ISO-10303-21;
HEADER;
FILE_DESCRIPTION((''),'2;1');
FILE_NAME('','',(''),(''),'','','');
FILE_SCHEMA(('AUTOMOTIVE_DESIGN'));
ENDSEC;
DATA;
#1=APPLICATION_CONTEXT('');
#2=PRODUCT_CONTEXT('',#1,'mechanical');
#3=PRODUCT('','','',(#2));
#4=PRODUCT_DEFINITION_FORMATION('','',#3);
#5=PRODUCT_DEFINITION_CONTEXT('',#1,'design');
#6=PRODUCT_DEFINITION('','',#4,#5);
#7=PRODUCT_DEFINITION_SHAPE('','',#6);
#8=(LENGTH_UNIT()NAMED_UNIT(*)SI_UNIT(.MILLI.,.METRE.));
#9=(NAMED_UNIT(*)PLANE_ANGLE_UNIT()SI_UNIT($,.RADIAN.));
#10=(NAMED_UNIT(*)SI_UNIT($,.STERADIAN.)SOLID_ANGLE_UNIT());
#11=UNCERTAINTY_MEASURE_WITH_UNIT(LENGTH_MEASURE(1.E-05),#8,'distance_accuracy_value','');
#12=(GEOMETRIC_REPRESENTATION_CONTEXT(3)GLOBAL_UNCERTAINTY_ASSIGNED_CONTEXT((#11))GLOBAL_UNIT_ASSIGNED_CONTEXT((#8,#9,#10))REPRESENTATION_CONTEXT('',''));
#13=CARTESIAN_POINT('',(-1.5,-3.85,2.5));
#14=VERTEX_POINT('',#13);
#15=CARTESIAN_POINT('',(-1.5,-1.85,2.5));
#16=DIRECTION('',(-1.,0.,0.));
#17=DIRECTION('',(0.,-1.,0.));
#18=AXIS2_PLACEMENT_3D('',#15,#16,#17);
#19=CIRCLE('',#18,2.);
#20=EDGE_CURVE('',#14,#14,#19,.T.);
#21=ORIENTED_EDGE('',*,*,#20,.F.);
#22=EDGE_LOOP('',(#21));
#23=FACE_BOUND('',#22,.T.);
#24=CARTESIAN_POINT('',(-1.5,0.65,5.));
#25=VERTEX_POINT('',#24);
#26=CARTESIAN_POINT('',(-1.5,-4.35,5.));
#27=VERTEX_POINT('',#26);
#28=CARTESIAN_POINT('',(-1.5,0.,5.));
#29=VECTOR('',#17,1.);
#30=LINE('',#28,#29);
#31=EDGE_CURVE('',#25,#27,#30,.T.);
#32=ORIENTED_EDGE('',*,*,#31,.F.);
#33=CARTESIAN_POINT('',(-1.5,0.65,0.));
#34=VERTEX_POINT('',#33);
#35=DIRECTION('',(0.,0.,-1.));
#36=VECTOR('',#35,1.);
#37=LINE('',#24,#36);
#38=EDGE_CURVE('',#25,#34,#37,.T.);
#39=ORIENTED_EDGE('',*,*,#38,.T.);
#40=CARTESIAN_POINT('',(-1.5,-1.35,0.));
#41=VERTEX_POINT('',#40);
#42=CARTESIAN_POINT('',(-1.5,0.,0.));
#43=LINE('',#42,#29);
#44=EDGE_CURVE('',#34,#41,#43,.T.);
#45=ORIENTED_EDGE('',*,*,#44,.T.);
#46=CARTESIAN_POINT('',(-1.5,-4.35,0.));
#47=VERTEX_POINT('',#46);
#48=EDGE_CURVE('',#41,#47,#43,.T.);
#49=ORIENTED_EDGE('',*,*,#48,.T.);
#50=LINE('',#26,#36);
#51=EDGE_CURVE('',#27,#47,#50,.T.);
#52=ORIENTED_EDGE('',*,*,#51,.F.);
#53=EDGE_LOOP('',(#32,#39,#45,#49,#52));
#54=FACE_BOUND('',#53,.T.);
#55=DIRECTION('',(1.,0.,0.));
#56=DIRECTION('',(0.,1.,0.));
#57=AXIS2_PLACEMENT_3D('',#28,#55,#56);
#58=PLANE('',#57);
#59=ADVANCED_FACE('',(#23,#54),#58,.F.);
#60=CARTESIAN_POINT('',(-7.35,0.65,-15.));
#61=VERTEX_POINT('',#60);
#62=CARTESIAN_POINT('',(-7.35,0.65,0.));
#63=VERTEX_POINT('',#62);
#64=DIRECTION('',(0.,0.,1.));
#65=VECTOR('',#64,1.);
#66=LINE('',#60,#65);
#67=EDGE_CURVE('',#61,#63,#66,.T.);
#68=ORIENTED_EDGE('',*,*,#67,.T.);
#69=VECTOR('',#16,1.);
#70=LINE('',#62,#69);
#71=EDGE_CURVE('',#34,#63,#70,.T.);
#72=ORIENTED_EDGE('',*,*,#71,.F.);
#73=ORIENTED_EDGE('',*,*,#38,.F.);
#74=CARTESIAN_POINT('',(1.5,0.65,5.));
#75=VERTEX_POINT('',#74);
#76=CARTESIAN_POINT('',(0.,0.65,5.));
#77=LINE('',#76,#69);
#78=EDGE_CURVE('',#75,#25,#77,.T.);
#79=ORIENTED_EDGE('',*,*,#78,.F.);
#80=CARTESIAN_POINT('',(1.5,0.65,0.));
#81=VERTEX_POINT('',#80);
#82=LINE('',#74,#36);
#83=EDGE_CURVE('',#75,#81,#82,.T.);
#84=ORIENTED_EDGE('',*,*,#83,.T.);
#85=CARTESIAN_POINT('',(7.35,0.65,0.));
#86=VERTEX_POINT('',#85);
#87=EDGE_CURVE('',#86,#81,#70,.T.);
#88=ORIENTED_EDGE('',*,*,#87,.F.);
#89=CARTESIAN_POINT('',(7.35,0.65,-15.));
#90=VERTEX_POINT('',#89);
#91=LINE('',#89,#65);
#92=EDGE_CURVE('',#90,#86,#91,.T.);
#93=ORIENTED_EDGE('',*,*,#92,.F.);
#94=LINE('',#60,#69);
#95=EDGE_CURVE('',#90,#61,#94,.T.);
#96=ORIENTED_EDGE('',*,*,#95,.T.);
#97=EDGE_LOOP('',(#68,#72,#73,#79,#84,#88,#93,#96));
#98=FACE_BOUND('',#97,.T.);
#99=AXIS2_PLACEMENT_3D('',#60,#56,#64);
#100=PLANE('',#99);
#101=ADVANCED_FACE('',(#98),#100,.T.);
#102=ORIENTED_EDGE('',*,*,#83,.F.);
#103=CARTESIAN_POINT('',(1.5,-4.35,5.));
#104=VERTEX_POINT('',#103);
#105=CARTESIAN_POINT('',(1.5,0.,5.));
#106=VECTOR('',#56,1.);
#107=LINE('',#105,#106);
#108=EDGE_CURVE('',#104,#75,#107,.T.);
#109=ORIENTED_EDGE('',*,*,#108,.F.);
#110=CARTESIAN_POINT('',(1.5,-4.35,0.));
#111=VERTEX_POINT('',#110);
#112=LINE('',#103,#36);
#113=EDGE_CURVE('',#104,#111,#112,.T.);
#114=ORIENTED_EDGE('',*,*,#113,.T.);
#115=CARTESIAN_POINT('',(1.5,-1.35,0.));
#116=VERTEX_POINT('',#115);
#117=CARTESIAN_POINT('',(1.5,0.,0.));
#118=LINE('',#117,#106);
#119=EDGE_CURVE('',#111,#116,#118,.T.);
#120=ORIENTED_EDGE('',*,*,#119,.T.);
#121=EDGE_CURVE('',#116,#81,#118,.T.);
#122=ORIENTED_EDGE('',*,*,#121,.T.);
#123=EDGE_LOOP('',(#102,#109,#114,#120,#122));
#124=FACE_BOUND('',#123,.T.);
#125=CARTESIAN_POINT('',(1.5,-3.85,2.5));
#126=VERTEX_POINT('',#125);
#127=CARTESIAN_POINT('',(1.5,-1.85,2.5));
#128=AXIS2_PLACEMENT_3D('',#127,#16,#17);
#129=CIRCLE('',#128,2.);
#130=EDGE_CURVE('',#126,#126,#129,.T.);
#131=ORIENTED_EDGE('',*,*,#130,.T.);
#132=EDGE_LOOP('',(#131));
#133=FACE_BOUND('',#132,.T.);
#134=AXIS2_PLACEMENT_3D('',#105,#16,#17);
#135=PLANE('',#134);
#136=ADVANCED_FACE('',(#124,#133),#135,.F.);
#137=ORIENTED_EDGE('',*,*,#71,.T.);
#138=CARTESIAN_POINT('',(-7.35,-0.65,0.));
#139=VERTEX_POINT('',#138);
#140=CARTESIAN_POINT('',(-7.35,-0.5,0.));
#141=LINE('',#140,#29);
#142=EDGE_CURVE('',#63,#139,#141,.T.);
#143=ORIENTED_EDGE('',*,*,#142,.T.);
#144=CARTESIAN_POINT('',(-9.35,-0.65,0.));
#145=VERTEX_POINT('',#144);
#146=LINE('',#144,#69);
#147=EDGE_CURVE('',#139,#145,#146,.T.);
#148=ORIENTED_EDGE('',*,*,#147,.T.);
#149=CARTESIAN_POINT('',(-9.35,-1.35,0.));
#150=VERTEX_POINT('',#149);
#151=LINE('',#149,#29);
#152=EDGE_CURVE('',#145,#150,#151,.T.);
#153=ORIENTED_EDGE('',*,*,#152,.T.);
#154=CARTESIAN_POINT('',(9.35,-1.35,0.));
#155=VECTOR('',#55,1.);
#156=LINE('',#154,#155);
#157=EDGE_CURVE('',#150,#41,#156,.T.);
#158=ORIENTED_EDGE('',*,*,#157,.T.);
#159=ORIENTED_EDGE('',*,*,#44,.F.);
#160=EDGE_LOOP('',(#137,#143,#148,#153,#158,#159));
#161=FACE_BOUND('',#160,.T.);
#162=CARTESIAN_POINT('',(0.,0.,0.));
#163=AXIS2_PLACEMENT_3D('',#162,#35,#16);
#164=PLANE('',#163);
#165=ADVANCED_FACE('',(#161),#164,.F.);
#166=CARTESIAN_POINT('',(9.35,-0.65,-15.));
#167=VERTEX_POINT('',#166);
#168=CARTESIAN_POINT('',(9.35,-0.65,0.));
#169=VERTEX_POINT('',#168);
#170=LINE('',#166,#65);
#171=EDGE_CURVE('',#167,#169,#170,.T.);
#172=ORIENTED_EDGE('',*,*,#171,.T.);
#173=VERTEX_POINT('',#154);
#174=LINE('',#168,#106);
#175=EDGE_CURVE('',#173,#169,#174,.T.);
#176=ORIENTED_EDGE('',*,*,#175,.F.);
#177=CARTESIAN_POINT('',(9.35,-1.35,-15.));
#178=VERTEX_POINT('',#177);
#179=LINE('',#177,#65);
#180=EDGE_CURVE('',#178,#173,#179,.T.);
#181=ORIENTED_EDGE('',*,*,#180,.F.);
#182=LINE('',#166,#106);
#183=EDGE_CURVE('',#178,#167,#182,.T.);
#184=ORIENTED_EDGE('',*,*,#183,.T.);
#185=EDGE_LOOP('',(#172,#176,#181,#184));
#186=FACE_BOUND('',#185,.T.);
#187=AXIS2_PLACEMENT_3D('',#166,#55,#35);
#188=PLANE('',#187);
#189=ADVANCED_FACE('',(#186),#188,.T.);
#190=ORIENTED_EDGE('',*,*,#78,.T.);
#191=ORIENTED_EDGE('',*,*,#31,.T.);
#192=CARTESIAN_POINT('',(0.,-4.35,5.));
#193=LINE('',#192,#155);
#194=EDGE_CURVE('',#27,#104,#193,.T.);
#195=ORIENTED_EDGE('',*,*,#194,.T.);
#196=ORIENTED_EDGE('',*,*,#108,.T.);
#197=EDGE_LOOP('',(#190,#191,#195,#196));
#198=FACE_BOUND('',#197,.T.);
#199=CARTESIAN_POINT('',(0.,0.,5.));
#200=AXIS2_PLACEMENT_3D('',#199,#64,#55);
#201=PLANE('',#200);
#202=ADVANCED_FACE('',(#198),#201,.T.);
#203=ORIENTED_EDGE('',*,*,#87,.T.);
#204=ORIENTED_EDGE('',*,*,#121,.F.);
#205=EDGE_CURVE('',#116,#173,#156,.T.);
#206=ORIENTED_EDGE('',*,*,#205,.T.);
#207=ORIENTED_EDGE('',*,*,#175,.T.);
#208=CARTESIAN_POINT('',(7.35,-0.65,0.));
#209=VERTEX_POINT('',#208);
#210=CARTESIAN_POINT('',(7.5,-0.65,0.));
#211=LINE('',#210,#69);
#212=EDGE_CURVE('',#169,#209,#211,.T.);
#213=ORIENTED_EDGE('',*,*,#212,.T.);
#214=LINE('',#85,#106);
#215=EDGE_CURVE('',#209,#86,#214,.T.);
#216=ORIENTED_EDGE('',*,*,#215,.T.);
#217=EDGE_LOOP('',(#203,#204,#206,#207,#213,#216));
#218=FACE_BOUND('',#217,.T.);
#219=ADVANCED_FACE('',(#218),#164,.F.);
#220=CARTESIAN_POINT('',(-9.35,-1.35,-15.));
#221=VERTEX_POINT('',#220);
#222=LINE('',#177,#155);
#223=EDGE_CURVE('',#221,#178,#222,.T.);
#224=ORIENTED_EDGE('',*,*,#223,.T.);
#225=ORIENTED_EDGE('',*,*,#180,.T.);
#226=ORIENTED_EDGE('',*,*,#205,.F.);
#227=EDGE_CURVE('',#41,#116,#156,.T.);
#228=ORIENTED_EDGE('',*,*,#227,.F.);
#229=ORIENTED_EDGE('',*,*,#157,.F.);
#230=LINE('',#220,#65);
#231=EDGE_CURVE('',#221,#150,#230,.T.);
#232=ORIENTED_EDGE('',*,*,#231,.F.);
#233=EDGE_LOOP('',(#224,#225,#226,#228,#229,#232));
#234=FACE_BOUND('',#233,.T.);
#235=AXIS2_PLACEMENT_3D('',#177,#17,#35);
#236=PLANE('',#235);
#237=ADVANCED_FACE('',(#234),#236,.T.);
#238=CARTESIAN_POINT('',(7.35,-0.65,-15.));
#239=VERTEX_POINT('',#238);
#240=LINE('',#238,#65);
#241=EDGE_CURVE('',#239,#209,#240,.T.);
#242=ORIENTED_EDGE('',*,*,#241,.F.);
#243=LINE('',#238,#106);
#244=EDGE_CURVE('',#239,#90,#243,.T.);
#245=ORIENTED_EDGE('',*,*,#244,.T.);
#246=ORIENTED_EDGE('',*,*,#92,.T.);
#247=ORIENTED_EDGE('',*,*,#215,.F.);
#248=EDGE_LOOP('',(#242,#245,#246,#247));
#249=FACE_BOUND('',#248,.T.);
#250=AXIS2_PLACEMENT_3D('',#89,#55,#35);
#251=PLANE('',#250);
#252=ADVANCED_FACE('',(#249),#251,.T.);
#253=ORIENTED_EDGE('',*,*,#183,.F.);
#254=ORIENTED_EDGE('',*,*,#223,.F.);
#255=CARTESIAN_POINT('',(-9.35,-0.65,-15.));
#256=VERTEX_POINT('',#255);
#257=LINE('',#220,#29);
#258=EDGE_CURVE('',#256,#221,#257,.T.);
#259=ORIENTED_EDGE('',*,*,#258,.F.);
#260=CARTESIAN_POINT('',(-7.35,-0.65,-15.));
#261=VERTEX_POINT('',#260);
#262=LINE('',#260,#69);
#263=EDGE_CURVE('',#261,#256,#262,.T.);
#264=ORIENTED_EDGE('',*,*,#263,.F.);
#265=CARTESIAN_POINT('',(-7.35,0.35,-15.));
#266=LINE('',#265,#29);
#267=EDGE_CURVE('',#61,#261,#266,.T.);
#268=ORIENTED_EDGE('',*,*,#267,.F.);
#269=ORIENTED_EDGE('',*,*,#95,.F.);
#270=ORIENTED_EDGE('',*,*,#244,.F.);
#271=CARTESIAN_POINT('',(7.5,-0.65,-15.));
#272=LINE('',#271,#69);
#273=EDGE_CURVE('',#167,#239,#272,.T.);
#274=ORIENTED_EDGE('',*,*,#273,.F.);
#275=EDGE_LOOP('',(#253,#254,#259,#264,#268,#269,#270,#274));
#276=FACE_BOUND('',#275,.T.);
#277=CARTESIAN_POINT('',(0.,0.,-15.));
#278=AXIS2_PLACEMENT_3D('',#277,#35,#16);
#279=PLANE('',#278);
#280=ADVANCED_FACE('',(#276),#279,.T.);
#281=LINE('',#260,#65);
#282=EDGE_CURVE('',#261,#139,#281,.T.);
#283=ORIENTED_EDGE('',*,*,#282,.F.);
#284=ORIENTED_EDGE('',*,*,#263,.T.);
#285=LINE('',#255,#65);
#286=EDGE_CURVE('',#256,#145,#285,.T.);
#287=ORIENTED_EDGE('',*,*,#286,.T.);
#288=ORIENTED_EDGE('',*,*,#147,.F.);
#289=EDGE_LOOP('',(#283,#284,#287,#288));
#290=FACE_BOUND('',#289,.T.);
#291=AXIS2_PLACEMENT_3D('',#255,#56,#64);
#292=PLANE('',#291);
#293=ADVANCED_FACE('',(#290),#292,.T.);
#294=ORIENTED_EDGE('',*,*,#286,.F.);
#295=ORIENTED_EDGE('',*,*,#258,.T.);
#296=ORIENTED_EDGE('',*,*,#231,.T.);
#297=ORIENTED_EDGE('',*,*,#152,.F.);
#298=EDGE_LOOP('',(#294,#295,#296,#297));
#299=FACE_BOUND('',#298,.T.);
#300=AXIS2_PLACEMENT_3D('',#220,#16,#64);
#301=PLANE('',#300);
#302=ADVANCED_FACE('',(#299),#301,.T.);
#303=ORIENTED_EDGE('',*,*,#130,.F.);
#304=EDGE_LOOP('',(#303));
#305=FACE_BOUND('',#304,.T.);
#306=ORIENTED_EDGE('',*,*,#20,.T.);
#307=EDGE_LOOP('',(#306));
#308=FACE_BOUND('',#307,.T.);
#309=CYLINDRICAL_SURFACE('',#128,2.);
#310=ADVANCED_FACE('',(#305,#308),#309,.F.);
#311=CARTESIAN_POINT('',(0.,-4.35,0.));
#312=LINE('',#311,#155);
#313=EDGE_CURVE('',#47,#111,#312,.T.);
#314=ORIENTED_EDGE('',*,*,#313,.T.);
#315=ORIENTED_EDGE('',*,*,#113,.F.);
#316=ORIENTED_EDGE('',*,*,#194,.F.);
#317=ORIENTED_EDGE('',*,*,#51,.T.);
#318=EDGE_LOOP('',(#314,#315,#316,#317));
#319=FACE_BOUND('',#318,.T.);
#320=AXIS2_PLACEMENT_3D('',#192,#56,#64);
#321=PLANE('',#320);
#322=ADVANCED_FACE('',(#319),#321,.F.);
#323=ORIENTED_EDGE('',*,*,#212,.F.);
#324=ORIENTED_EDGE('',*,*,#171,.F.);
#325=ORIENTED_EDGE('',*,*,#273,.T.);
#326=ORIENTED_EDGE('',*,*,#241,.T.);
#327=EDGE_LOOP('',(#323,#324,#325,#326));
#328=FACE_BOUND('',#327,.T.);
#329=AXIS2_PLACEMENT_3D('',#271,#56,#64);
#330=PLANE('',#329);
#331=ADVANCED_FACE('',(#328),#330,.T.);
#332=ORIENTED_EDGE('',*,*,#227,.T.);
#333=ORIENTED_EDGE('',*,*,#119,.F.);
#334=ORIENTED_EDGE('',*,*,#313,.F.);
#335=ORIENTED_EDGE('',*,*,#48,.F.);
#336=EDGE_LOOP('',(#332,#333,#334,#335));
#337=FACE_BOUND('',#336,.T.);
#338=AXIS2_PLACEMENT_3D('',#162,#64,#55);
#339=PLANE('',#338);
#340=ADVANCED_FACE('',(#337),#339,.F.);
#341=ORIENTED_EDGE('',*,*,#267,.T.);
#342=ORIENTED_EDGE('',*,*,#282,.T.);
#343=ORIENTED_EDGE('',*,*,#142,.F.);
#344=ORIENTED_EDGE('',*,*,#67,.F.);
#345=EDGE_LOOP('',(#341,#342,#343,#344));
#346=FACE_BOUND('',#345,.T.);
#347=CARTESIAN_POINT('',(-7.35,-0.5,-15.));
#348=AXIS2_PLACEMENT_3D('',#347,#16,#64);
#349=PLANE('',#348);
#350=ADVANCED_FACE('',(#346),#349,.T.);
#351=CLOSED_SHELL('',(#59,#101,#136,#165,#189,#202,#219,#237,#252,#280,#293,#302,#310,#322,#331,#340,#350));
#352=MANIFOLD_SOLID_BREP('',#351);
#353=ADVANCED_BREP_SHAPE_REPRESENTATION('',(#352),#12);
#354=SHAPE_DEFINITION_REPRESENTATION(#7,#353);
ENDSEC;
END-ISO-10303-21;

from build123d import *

# Parameters (mm, degrees)
BOSS_EXTRUDE1_DEPTH = 15
SKETCH2_W           = 3
SKETCH2_H           = 1.5
SKETCH2_W_2         = 1.5
SKETCH2_H_2         = 2
BOSS_EXTRUDE3_DEPTH = 5
SKETCH4_R           = 2
CUT_EXTRUDE1_DEPTH  = 3


with BuildPart() as part:
    # Sketch1 → Boss-Extrude1 (new body)
    with BuildSketch(Plane.XY):
        Polygon((7.5, -0.65), (9.35, -0.65), (9.35, -1.35), (-9.35, -1.35), (-9.35, -0.65), (-7.5, -0.65), (-7.35, -0.65), (-7.35, -0.5), (-7.35, 0.35), (-7.35, 0.65), (7.35, 0.65), (7.35, 0.35), (7.35, -0.5), (7.35, -0.65), align=None)
    extrude(amount=-BOSS_EXTRUDE1_DEPTH)

    # Sketch2 → Boss-Extrude3 (add)
    with BuildSketch(Plane.XY):
        with Locations((0, -3.6)):
            Rectangle(SKETCH2_W, SKETCH2_H)
        Polygon((1.5, -1.35), (0, -1.35), (-1.5, -1.35), (-1.5, -2.85), (1.5, -2.85), align=None)
        with Locations((-0.75, -0.35)):
            Rectangle(SKETCH2_W_2, SKETCH2_H_2)
        with Locations((0.75, -0.35)):
            Rectangle(SKETCH2_W_2, SKETCH2_H_2)
    extrude(amount=BOSS_EXTRUDE3_DEPTH)

    # Sketch4 → Cut-Extrude1 (cut)
    with BuildSketch(Plane.ZY.offset(1.5)):
        with Locations(Location((2.5, -1.85, 0), (0, 0, 270))):
            Circle(SKETCH4_R)
    extrude(amount=-CUT_EXTRUDE1_DEPTH, mode=Mode.SUBTRACT)


solid = part.part
